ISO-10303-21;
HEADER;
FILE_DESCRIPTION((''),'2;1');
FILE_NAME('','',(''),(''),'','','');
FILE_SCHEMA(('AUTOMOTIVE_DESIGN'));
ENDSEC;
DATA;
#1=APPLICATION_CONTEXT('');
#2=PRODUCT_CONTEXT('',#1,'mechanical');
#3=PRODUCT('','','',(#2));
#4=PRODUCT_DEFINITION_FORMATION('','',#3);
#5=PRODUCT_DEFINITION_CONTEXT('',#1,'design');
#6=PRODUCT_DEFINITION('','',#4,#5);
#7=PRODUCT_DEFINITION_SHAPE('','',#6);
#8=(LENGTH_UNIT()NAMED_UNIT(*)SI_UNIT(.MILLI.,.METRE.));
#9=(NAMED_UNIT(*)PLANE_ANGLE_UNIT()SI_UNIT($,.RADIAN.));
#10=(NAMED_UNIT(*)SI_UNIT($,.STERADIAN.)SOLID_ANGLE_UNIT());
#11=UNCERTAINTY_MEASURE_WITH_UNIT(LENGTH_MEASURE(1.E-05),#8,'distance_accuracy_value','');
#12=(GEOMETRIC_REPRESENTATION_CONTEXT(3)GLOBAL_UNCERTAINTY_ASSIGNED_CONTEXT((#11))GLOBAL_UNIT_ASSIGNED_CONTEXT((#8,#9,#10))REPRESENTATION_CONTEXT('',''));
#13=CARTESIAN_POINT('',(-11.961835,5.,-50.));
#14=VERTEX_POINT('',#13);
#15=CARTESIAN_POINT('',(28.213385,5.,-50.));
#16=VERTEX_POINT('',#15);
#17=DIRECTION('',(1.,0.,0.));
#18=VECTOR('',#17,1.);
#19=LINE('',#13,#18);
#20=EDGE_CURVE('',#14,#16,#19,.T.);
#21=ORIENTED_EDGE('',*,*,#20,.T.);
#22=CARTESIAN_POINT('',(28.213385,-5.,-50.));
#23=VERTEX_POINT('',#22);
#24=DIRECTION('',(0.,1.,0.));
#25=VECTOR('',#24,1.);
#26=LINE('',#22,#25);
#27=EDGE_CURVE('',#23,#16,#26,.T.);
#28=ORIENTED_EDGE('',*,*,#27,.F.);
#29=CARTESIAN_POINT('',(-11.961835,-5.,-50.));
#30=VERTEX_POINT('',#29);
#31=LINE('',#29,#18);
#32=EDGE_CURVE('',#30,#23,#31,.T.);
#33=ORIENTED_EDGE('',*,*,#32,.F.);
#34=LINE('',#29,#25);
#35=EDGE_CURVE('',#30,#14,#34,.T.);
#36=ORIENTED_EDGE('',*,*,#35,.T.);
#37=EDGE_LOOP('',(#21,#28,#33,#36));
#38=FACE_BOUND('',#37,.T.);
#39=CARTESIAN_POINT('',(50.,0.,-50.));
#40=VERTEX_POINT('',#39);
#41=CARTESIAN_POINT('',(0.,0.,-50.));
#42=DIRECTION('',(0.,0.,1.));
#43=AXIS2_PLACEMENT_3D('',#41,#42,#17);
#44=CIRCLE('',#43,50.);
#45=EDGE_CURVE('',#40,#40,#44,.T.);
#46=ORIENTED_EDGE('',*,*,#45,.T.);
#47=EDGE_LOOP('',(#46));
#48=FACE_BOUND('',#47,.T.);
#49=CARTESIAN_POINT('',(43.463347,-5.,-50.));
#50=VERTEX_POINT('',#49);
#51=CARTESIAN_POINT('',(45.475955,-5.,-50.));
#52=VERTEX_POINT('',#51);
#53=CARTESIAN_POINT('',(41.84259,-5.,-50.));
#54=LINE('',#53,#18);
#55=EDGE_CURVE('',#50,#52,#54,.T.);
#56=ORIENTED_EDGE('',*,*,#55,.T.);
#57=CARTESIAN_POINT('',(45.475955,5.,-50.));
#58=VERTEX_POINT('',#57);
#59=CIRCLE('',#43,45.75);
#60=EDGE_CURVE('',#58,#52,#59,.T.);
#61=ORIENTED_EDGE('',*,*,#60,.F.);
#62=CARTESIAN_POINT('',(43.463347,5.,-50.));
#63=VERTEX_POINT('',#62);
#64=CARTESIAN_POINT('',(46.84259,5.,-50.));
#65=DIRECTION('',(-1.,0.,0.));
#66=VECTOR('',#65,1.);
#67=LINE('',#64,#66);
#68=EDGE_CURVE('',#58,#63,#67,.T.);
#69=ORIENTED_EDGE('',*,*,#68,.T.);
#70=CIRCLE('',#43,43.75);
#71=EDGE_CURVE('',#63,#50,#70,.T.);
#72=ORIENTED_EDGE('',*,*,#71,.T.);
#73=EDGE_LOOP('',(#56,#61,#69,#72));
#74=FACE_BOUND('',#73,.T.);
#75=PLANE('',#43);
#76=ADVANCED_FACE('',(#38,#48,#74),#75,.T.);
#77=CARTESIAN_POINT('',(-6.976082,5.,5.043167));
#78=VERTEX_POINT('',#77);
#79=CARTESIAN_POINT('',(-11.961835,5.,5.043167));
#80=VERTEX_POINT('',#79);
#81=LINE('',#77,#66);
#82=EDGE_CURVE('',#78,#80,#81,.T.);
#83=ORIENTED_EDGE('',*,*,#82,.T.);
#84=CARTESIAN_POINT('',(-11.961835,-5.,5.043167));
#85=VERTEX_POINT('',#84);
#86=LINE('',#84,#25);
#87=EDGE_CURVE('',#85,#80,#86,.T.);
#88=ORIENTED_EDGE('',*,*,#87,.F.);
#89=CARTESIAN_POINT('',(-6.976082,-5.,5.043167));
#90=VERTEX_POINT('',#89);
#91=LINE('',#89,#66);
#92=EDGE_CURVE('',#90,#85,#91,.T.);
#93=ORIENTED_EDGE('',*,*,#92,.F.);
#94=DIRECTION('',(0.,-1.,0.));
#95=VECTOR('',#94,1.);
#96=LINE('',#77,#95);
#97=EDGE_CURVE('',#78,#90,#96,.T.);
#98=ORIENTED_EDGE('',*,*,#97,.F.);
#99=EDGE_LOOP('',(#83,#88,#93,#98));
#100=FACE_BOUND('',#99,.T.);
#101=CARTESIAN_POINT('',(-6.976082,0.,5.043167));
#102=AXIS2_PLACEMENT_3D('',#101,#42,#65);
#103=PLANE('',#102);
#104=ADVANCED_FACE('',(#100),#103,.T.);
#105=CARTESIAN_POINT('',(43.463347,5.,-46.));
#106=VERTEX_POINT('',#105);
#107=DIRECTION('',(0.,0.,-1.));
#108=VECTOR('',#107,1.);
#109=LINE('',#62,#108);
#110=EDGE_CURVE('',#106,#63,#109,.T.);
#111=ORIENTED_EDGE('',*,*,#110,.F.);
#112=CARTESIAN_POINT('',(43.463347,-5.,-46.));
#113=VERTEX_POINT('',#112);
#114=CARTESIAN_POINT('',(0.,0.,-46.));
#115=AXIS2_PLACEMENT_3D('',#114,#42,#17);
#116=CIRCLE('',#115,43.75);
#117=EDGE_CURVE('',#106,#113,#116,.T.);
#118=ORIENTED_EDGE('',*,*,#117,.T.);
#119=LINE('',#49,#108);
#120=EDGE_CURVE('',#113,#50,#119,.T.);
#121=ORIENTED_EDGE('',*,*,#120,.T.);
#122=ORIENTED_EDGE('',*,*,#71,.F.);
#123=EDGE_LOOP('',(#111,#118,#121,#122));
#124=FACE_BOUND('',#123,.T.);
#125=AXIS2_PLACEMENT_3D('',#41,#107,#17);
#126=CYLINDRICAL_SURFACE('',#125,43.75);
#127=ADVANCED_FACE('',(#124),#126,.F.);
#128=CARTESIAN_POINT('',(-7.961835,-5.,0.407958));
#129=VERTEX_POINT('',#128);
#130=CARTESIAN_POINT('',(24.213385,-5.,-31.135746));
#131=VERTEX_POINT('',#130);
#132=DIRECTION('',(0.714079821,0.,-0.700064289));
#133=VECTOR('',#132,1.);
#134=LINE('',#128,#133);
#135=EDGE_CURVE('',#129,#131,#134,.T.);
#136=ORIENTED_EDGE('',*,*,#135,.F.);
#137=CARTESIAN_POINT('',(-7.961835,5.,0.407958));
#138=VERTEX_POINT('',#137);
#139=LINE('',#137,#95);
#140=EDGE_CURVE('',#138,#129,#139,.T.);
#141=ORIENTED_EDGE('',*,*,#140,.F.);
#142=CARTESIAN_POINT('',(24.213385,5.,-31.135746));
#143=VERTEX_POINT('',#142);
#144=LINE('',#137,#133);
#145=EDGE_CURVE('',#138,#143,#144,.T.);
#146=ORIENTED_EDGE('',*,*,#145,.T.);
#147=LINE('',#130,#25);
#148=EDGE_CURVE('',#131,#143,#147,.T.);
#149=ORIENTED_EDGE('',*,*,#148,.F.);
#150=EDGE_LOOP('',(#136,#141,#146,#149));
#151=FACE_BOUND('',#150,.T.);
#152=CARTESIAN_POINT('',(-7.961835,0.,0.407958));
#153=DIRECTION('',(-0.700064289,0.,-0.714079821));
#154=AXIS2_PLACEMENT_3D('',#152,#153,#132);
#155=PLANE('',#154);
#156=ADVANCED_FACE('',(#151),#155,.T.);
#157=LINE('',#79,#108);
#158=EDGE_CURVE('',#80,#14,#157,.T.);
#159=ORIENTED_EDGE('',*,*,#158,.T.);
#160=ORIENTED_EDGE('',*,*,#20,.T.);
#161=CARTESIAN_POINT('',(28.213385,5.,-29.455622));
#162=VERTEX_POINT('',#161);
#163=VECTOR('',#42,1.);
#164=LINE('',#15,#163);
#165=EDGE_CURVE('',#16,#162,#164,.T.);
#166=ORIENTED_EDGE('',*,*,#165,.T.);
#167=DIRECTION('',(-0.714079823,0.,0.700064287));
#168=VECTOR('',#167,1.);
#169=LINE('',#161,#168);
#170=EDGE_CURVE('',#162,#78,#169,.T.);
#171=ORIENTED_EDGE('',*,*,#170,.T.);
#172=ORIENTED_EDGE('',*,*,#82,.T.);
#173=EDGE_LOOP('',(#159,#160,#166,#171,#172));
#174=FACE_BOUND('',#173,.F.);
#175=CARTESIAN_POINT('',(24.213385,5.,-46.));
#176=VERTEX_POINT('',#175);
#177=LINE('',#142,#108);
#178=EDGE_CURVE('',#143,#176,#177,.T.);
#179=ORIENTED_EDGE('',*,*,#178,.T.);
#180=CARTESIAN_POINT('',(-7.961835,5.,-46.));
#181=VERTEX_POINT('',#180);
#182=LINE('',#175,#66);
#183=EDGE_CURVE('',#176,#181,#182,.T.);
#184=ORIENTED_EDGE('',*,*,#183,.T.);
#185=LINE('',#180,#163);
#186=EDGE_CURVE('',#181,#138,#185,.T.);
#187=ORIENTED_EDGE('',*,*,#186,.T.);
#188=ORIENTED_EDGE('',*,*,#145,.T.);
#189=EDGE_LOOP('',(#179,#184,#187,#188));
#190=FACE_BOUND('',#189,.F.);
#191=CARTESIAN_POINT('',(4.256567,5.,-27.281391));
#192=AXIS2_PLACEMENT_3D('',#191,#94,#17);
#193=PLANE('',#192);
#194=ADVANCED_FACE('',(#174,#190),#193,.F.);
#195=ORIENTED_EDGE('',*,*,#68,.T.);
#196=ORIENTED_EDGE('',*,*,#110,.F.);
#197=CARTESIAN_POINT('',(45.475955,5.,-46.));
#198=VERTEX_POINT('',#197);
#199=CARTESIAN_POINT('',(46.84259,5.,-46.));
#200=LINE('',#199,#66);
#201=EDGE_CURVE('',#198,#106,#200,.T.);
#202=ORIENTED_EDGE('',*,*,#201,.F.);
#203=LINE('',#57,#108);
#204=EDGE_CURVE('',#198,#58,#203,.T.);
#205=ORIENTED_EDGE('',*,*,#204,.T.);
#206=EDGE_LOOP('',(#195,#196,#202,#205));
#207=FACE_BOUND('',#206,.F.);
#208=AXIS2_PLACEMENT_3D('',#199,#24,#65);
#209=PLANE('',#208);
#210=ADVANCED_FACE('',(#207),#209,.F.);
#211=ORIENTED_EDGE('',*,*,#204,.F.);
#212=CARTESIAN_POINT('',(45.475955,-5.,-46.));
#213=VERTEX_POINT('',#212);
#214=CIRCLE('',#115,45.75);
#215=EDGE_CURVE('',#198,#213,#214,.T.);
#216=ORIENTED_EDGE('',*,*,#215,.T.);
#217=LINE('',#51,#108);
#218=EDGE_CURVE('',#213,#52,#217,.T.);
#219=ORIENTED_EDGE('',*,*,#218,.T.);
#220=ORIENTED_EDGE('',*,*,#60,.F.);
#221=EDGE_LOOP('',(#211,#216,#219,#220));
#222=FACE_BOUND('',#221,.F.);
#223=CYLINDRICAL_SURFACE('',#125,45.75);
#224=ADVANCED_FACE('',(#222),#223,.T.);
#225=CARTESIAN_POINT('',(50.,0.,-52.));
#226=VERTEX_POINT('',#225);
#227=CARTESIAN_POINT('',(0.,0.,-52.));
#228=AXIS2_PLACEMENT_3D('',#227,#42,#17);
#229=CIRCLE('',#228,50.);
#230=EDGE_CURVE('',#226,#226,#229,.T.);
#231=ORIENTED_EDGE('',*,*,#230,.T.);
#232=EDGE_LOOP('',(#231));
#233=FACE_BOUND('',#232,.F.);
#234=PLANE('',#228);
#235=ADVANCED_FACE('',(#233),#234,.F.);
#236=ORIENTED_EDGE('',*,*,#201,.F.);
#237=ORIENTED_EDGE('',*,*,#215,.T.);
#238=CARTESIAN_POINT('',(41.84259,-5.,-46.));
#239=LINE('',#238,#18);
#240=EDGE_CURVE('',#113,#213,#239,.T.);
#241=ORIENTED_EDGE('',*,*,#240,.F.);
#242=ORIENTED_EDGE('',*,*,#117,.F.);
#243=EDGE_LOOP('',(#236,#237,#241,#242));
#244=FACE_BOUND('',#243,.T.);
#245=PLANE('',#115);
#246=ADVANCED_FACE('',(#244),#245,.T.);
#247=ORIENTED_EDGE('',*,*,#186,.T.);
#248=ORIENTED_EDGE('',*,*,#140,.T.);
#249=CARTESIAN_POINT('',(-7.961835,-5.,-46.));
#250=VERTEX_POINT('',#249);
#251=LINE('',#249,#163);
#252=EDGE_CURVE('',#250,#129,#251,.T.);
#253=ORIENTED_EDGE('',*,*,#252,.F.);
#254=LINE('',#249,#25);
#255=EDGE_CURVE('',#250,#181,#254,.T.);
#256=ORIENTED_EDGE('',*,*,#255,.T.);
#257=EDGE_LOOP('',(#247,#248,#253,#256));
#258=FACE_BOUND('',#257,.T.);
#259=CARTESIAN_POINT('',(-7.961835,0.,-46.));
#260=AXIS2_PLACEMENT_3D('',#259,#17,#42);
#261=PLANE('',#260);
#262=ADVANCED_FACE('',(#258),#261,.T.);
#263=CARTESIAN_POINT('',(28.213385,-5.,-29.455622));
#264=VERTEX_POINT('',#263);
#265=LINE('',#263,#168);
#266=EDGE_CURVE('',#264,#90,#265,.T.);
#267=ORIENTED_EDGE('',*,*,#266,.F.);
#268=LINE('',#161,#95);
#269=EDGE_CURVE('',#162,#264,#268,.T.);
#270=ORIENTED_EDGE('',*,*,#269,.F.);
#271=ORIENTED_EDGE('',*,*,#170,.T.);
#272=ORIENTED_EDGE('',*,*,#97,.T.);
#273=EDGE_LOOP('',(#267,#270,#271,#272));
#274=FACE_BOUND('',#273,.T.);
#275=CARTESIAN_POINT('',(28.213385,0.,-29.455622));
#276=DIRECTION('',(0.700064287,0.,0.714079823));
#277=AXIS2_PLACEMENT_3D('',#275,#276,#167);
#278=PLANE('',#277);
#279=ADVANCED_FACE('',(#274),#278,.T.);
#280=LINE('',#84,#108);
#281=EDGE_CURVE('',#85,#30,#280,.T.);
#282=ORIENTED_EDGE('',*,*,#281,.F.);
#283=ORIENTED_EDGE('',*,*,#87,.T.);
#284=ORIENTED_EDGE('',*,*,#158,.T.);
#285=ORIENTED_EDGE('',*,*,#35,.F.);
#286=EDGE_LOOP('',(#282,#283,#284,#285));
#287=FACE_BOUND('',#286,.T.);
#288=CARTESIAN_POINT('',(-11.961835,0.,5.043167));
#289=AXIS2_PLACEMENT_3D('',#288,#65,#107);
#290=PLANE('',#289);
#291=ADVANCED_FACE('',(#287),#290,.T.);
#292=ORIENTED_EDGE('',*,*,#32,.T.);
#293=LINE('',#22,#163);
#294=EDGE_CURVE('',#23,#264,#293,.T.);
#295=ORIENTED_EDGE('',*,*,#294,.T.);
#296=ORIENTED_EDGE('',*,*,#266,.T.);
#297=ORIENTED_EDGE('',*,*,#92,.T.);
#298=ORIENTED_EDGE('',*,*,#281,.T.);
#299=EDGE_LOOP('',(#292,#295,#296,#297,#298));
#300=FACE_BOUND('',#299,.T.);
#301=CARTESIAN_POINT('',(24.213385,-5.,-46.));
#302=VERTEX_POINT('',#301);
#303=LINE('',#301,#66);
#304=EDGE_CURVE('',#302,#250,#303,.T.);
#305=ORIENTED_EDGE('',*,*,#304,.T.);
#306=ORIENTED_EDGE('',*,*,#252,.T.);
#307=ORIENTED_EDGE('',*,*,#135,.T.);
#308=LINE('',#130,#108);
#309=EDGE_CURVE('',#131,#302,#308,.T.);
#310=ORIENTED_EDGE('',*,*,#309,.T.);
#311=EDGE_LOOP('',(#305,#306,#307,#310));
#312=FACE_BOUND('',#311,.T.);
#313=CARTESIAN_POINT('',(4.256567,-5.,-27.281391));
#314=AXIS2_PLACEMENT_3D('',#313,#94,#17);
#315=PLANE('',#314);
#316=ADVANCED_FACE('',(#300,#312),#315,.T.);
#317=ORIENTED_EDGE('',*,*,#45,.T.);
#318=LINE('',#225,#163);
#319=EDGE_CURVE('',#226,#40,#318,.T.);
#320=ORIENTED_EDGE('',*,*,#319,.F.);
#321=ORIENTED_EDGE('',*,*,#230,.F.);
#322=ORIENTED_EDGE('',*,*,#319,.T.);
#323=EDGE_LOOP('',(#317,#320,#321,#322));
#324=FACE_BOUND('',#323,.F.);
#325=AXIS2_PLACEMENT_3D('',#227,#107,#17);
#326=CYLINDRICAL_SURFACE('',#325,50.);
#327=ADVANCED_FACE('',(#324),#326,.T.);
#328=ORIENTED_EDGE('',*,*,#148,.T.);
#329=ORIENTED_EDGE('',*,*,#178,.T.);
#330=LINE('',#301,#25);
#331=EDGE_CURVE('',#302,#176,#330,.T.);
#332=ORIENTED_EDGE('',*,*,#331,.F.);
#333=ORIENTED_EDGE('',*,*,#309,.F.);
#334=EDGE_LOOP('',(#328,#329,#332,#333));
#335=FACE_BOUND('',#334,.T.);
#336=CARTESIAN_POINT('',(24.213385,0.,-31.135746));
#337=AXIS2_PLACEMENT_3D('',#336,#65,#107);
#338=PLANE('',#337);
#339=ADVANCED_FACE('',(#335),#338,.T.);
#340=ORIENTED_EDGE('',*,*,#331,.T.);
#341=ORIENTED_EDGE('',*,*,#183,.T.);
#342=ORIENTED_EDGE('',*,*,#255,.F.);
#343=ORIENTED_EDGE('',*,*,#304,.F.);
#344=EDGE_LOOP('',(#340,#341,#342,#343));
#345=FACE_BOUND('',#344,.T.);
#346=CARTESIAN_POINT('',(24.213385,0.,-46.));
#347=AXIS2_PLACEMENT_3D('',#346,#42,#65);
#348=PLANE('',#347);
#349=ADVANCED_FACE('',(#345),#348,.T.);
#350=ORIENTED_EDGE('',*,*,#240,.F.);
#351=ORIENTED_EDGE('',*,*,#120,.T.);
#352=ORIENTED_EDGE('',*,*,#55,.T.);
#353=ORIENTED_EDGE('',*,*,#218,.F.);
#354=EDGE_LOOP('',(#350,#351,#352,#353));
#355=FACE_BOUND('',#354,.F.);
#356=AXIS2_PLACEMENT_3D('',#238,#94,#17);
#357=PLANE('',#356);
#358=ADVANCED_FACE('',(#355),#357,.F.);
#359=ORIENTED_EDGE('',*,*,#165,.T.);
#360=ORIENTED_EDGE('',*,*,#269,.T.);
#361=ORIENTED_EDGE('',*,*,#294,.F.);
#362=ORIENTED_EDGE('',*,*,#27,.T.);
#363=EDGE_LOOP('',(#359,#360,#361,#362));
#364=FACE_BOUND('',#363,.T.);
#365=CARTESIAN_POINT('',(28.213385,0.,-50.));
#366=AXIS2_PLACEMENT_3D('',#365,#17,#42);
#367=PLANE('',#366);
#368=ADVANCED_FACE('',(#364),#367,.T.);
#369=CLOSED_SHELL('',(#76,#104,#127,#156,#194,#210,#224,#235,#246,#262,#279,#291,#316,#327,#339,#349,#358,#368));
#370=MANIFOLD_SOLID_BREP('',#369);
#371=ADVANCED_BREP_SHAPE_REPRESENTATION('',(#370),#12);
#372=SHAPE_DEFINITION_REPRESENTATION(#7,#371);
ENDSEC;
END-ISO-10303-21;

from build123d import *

# Parameters (mm, degrees)
SKETCH026_R     = 50
PAD008_DEPTH    = 2
SKETCH027_R     = 45.75
SKETCH027_R_2   = 43.75
PAD009_DEPTH    = 4
POCKET012_DEPTH = 4
PAD010_DEPTH    = 5


with BuildPart() as part:
    # Sketch026 → Pad008 (new body)
    with BuildSketch(Plane.XY.offset(-52)):
        Circle(SKETCH026_R)
    extrude(amount=PAD008_DEPTH)

    # Sketch027 (on Face3 of Pad008) → Pad009 (join)
    with BuildSketch(Plane.XY.offset(-50)):
        Circle(SKETCH027_R)
        Circle(SKETCH027_R_2, mode=Mode.SUBTRACT)
    extrude(amount=PAD009_DEPTH)

    # Sketch029 (on Face5 of Pad009) → Pocket012 (cut)
    with BuildSketch(Plane.XY.offset(-46)):
        Polygon((46.84259, 0), (46.84259, 5), (41.84259, 5), (41.84259, 0), (41.84259, -5), (46.84259, -5), align=None)
    extrude(amount=-POCKET012_DEPTH, mode=Mode.SUBTRACT)

    # Sketch030 → Pad010 (join, symmetric)
    with BuildSketch(Plane.XZ):
        Polygon((28.213385, -50), (28.213385, -29.455622), (-6.976082, 5.043167), (-11.961835, 5.043167), (-11.961835, -50), align=None)
        Polygon((-7.961835, 0.407958), (24.213385, -31.135746), (24.213385, -46), (-7.961835, -46), align=None, mode=Mode.SUBTRACT)
    extrude(amount=PAD010_DEPTH, both=True)


solid = part.part
